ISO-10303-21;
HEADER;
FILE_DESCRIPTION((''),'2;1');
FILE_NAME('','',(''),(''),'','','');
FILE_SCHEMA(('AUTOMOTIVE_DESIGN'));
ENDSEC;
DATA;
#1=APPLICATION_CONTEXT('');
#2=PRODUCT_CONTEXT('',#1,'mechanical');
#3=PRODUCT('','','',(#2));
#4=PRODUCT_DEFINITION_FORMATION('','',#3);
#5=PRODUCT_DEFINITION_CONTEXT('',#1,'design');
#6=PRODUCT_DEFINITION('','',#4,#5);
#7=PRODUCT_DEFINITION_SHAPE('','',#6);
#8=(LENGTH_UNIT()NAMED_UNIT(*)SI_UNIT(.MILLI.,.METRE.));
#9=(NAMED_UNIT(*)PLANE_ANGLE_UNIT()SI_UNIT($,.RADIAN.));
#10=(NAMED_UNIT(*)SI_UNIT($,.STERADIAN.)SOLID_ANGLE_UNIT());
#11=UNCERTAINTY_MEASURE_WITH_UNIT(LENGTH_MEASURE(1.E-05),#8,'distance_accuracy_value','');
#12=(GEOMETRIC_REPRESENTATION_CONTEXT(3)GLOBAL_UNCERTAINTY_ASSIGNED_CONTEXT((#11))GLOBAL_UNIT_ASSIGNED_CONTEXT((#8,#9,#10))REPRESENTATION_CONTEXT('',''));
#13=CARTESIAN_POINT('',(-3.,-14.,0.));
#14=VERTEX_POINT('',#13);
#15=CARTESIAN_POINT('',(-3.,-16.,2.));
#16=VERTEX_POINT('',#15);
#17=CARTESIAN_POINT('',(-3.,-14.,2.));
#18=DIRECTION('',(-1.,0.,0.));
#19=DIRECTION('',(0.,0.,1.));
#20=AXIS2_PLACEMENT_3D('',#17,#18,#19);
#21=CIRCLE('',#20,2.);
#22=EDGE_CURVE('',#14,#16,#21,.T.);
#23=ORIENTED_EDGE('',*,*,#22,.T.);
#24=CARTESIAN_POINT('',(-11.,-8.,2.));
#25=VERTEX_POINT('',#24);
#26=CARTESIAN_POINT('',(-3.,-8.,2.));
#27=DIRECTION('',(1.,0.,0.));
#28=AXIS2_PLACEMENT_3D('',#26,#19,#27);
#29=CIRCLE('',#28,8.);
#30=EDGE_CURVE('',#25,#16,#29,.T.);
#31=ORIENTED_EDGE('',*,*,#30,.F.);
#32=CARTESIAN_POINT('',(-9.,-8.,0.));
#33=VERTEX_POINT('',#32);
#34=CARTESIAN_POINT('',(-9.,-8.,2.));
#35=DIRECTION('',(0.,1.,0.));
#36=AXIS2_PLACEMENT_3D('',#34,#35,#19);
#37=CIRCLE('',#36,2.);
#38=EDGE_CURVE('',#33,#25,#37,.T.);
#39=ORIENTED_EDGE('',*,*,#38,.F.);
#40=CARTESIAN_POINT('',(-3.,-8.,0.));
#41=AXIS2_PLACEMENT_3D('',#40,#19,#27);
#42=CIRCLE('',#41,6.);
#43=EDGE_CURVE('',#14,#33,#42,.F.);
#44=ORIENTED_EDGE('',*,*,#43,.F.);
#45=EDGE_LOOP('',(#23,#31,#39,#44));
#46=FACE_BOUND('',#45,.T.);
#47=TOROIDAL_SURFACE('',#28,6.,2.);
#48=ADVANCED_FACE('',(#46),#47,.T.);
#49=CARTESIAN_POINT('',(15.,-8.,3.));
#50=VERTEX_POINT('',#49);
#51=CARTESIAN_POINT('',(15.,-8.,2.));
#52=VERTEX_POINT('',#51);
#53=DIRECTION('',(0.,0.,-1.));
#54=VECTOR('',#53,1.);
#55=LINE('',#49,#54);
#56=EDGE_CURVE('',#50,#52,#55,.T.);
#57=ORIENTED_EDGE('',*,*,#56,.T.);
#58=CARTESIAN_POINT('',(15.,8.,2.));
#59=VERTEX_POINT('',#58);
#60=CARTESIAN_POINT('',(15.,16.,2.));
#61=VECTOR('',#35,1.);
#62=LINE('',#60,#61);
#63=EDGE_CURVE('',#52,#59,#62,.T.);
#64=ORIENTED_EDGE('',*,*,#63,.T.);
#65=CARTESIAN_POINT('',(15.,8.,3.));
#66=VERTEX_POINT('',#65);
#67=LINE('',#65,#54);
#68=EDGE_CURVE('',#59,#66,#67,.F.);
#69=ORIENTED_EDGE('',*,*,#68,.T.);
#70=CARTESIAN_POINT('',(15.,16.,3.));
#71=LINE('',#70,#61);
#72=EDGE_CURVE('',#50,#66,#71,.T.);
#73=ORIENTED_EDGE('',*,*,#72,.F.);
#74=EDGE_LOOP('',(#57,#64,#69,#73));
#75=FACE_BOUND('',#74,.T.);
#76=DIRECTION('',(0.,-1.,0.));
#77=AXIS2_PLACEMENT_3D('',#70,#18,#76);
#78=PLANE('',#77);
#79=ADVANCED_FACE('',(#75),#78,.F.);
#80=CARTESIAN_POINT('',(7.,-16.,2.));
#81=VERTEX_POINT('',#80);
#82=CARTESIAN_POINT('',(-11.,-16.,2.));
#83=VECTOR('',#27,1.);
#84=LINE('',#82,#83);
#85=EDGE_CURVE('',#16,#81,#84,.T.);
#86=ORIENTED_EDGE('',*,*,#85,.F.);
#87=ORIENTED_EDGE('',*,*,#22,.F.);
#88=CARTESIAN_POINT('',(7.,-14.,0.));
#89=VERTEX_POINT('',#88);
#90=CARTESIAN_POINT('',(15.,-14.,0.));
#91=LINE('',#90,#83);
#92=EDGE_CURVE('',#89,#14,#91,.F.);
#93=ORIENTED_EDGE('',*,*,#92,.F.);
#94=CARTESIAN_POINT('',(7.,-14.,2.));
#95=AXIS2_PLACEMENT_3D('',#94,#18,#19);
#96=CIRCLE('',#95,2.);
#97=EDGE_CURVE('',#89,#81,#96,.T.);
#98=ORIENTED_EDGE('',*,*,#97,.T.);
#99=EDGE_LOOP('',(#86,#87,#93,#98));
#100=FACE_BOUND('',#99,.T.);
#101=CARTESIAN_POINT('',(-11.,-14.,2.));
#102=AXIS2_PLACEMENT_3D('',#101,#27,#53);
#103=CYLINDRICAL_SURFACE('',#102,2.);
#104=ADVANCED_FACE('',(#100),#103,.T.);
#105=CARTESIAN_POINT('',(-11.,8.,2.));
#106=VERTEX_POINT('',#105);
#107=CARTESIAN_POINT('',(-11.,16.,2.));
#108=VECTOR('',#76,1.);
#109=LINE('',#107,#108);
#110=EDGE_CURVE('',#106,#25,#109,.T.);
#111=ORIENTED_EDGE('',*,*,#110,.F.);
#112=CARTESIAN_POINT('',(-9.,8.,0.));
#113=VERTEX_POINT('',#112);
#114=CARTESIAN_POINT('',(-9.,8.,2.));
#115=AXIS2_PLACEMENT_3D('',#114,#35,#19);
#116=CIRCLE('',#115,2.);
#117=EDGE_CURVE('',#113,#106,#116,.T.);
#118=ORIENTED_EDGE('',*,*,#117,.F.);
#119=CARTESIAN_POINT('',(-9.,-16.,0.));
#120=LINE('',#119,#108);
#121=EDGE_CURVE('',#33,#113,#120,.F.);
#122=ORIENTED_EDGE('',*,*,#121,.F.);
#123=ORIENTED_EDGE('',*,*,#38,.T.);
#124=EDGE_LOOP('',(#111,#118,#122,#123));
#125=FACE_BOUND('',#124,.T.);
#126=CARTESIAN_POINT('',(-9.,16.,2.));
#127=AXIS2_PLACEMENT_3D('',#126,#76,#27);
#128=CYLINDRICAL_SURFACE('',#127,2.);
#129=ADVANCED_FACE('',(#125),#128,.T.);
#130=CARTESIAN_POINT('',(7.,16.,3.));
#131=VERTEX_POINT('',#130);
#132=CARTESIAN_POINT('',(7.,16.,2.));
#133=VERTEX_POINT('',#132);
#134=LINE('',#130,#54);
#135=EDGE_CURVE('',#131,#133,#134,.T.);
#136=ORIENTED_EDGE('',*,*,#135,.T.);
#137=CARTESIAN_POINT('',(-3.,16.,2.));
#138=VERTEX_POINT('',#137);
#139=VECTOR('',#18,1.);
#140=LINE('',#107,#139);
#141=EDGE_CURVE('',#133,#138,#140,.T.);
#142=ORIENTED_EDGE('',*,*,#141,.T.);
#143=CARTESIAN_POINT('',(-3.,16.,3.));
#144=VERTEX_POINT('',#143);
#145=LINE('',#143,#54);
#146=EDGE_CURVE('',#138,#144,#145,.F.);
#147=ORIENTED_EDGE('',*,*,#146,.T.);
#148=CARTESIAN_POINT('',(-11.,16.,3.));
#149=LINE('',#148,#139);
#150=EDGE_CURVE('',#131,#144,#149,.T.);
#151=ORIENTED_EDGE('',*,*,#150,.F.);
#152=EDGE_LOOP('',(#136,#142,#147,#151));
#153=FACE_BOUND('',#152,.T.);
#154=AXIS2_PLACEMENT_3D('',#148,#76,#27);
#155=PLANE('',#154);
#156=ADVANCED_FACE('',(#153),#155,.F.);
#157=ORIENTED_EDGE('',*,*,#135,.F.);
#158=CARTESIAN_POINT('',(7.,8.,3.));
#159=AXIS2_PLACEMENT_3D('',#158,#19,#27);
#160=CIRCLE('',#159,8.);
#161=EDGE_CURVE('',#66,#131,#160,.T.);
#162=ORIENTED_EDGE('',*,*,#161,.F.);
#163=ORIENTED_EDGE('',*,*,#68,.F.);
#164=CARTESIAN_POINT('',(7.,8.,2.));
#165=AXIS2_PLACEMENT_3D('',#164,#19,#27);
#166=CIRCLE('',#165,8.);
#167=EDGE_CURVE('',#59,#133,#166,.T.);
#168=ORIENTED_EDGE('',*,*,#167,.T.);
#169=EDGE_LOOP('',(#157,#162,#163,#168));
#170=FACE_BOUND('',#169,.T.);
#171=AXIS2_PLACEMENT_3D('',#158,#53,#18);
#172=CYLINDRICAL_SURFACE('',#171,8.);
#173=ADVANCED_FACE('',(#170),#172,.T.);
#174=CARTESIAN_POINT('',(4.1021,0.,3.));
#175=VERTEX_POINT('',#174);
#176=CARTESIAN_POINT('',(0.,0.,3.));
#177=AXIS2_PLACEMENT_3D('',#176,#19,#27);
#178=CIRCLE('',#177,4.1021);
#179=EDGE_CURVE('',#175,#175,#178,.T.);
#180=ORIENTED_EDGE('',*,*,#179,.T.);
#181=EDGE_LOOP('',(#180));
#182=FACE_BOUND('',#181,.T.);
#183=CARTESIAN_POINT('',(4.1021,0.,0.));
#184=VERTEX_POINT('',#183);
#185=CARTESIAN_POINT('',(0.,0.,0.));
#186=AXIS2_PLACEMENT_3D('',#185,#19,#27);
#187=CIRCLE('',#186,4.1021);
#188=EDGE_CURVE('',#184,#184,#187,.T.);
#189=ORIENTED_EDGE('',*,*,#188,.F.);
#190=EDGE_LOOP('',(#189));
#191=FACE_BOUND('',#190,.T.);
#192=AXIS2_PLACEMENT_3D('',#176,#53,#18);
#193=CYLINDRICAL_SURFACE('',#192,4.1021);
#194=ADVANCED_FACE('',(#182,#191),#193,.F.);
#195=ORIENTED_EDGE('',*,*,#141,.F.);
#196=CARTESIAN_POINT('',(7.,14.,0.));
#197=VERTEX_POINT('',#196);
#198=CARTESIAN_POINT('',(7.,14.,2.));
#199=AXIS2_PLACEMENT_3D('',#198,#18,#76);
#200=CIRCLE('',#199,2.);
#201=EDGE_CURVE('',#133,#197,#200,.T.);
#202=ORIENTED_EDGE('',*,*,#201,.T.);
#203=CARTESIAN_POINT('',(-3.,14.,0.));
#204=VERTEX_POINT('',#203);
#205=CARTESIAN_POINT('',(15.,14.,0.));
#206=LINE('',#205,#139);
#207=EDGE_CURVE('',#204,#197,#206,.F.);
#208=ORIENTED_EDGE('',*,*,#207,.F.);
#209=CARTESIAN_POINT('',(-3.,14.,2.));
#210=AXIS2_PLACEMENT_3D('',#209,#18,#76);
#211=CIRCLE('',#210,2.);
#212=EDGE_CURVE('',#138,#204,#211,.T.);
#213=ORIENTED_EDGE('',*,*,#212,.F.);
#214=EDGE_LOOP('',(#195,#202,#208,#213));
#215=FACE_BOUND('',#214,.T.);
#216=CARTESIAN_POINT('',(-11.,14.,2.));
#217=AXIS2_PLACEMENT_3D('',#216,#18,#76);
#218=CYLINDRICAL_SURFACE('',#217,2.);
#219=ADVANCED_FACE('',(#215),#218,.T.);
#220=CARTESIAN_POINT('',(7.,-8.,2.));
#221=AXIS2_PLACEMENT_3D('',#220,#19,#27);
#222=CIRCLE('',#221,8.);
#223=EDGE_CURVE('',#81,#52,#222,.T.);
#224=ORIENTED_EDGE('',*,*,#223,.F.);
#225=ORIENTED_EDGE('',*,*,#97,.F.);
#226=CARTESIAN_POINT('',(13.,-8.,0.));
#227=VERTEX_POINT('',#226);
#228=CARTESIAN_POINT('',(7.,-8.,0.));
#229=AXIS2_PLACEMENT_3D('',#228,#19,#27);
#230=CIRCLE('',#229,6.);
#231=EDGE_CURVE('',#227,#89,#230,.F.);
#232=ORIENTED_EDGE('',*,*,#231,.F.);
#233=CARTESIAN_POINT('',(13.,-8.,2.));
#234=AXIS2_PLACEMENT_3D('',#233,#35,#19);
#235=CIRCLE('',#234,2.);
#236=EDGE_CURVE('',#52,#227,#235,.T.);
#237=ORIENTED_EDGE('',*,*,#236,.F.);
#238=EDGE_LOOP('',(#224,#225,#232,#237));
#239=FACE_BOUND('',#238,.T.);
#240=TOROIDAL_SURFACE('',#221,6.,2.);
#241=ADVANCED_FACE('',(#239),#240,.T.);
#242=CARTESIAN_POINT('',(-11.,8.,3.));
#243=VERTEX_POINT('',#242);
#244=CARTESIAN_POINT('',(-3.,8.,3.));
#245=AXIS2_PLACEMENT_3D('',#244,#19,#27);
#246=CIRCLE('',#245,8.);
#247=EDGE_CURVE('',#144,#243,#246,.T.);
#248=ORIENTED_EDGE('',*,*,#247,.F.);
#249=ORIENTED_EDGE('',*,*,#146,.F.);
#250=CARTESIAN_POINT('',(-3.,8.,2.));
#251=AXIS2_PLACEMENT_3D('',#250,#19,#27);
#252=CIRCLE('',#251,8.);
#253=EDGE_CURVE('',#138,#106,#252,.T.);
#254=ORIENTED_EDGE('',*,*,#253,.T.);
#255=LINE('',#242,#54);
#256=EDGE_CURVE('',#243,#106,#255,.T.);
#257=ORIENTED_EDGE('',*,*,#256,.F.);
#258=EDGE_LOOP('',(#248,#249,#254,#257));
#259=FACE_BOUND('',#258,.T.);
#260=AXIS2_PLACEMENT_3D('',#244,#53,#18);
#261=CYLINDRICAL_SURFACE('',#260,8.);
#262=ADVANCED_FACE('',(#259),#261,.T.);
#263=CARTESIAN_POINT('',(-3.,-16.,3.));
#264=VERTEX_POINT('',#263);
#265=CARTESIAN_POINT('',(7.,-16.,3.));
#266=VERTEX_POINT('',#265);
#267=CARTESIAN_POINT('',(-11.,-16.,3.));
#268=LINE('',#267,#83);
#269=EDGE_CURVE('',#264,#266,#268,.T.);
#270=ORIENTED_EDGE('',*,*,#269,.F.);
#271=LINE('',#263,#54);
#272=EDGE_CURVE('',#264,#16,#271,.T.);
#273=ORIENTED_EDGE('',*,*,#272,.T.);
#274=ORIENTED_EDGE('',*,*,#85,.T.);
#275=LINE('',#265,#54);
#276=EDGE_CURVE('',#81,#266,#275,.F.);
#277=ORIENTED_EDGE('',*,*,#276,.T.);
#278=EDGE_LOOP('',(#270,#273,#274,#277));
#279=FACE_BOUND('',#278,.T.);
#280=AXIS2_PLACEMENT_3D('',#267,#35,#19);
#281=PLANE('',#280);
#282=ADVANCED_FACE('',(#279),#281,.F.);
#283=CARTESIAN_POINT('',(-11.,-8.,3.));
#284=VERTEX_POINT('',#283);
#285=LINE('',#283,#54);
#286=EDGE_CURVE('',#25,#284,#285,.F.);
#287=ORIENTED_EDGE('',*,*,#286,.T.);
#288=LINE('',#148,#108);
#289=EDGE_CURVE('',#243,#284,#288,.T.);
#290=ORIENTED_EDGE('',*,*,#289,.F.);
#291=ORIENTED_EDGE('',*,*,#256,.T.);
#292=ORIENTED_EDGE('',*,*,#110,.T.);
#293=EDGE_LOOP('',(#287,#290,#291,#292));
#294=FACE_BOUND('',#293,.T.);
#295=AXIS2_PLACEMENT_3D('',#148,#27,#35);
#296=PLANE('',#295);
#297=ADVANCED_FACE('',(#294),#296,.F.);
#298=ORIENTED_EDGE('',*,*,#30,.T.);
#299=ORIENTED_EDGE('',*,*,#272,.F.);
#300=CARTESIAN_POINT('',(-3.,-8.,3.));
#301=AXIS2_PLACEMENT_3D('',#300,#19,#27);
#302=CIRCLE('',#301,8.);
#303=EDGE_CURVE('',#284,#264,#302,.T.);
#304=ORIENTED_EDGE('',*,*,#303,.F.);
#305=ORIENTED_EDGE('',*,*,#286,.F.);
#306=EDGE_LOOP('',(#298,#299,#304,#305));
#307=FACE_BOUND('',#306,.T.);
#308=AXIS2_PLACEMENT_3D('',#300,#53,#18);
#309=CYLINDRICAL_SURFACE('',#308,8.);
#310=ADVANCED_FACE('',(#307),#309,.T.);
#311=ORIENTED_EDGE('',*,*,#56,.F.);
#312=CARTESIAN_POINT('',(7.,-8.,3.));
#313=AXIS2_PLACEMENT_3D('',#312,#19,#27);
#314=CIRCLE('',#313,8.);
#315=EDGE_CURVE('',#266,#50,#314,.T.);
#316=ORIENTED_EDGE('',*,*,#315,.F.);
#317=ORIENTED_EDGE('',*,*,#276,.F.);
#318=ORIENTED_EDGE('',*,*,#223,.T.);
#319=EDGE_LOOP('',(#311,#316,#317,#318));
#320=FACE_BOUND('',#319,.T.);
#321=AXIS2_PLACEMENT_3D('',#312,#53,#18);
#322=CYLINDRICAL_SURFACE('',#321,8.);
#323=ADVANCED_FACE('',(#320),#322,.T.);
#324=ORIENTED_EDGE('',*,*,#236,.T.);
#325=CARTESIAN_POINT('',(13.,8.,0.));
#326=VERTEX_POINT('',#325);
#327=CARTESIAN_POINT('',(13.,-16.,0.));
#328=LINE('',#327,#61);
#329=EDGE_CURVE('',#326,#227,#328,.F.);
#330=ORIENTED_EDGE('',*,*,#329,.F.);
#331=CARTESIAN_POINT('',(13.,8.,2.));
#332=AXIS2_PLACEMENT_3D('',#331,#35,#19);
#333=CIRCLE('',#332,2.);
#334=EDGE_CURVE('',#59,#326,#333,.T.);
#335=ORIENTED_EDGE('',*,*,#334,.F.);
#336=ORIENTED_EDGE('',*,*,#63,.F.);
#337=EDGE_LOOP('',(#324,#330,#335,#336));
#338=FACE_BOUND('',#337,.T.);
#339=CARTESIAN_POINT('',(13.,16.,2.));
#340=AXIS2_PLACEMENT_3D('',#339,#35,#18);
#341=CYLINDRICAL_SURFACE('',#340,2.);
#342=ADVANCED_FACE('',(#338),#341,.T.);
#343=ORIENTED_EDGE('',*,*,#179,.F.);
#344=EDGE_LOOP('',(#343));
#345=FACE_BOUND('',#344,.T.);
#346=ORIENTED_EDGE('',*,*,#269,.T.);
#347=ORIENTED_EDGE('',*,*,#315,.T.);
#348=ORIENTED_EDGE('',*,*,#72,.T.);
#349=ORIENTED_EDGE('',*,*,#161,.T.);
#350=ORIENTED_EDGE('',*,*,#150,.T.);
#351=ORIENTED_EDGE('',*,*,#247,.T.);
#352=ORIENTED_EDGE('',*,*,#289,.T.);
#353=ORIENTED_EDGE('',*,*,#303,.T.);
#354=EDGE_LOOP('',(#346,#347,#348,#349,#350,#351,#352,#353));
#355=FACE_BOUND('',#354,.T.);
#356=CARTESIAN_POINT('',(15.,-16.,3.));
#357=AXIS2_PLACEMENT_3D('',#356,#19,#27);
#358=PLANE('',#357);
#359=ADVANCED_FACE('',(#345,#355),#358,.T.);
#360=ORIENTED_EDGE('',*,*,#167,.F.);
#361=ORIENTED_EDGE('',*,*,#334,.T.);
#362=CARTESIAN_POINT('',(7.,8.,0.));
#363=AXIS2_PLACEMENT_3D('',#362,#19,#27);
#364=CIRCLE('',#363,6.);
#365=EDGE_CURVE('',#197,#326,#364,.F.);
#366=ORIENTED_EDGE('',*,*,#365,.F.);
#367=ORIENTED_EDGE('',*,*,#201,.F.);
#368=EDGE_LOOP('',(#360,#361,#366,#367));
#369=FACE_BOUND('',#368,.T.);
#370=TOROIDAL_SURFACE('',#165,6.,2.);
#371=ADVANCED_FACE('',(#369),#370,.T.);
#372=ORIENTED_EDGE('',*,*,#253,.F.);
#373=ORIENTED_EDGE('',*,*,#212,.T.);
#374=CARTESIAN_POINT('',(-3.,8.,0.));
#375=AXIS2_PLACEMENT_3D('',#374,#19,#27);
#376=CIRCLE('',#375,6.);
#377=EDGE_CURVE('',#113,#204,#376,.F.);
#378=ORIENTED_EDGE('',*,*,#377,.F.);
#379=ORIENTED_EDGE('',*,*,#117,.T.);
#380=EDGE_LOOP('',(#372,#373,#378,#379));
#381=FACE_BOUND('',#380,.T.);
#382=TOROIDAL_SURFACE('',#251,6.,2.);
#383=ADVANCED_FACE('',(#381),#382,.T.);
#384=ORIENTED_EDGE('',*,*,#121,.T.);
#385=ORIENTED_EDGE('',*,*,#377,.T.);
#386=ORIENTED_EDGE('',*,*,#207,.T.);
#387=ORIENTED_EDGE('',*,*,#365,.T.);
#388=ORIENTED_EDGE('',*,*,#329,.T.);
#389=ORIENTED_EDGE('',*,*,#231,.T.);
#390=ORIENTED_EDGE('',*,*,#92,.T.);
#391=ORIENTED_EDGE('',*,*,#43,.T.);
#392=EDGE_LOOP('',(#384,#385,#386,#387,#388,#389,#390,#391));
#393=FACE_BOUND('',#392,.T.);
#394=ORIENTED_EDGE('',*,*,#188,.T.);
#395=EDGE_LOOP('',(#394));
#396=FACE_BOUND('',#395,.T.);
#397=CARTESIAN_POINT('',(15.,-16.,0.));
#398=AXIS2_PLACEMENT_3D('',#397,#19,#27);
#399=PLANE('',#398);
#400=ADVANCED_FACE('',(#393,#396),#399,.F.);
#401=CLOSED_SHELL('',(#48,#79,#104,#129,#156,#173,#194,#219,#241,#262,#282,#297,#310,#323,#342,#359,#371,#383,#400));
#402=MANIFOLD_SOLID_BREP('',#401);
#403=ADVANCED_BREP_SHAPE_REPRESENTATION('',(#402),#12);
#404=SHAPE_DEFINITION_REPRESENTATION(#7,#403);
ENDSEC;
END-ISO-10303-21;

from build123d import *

# Parameters (mm, degrees)
SKETCH1_W           = 26
SKETCH1_H           = 32
SKETCH1_R           = 4.1021
BOSS_EXTRUDE1_DEPTH = 3
FILLET1_R           = 8
FILLET2_R           = 2


with BuildPart() as part:
    # Sketch1 → Boss-Extrude1 (new body)
    with BuildSketch(Plane.XY):
        with Locations((2, 0)):
            Rectangle(SKETCH1_W, SKETCH1_H)
        Circle(SKETCH1_R, mode=Mode.SUBTRACT)
    extrude(amount=BOSS_EXTRUDE1_DEPTH)

    # Fillet1
    fillet1_edges = [part.edges().sort_by_distance(p)[0] for p in [
        (15, -16, 1.5),
        (-11, -16, 1.5),
        (-11, 16, 1.5),
        (15, 16, 1.5),
    ]]
    fillet(fillet1_edges, radius=FILLET1_R)

    # Fillet2
    fillet2_edges = [part.edges().sort_by_distance(p)[0] for p in [
        (15, 0, 0),
        (2, -16, 0),
        (-11, 0, 0),
        (2, 16, 0),
        (-8.656854249, 13.656854249, 0),
        (12.656854249, 13.656854249, 0),
        (-8.656854249, -13.656854249, 0),
        (12.656854249, -13.656854249, 0),
    ]]
    fillet(fillet2_edges, radius=FILLET2_R)


solid = part.part
